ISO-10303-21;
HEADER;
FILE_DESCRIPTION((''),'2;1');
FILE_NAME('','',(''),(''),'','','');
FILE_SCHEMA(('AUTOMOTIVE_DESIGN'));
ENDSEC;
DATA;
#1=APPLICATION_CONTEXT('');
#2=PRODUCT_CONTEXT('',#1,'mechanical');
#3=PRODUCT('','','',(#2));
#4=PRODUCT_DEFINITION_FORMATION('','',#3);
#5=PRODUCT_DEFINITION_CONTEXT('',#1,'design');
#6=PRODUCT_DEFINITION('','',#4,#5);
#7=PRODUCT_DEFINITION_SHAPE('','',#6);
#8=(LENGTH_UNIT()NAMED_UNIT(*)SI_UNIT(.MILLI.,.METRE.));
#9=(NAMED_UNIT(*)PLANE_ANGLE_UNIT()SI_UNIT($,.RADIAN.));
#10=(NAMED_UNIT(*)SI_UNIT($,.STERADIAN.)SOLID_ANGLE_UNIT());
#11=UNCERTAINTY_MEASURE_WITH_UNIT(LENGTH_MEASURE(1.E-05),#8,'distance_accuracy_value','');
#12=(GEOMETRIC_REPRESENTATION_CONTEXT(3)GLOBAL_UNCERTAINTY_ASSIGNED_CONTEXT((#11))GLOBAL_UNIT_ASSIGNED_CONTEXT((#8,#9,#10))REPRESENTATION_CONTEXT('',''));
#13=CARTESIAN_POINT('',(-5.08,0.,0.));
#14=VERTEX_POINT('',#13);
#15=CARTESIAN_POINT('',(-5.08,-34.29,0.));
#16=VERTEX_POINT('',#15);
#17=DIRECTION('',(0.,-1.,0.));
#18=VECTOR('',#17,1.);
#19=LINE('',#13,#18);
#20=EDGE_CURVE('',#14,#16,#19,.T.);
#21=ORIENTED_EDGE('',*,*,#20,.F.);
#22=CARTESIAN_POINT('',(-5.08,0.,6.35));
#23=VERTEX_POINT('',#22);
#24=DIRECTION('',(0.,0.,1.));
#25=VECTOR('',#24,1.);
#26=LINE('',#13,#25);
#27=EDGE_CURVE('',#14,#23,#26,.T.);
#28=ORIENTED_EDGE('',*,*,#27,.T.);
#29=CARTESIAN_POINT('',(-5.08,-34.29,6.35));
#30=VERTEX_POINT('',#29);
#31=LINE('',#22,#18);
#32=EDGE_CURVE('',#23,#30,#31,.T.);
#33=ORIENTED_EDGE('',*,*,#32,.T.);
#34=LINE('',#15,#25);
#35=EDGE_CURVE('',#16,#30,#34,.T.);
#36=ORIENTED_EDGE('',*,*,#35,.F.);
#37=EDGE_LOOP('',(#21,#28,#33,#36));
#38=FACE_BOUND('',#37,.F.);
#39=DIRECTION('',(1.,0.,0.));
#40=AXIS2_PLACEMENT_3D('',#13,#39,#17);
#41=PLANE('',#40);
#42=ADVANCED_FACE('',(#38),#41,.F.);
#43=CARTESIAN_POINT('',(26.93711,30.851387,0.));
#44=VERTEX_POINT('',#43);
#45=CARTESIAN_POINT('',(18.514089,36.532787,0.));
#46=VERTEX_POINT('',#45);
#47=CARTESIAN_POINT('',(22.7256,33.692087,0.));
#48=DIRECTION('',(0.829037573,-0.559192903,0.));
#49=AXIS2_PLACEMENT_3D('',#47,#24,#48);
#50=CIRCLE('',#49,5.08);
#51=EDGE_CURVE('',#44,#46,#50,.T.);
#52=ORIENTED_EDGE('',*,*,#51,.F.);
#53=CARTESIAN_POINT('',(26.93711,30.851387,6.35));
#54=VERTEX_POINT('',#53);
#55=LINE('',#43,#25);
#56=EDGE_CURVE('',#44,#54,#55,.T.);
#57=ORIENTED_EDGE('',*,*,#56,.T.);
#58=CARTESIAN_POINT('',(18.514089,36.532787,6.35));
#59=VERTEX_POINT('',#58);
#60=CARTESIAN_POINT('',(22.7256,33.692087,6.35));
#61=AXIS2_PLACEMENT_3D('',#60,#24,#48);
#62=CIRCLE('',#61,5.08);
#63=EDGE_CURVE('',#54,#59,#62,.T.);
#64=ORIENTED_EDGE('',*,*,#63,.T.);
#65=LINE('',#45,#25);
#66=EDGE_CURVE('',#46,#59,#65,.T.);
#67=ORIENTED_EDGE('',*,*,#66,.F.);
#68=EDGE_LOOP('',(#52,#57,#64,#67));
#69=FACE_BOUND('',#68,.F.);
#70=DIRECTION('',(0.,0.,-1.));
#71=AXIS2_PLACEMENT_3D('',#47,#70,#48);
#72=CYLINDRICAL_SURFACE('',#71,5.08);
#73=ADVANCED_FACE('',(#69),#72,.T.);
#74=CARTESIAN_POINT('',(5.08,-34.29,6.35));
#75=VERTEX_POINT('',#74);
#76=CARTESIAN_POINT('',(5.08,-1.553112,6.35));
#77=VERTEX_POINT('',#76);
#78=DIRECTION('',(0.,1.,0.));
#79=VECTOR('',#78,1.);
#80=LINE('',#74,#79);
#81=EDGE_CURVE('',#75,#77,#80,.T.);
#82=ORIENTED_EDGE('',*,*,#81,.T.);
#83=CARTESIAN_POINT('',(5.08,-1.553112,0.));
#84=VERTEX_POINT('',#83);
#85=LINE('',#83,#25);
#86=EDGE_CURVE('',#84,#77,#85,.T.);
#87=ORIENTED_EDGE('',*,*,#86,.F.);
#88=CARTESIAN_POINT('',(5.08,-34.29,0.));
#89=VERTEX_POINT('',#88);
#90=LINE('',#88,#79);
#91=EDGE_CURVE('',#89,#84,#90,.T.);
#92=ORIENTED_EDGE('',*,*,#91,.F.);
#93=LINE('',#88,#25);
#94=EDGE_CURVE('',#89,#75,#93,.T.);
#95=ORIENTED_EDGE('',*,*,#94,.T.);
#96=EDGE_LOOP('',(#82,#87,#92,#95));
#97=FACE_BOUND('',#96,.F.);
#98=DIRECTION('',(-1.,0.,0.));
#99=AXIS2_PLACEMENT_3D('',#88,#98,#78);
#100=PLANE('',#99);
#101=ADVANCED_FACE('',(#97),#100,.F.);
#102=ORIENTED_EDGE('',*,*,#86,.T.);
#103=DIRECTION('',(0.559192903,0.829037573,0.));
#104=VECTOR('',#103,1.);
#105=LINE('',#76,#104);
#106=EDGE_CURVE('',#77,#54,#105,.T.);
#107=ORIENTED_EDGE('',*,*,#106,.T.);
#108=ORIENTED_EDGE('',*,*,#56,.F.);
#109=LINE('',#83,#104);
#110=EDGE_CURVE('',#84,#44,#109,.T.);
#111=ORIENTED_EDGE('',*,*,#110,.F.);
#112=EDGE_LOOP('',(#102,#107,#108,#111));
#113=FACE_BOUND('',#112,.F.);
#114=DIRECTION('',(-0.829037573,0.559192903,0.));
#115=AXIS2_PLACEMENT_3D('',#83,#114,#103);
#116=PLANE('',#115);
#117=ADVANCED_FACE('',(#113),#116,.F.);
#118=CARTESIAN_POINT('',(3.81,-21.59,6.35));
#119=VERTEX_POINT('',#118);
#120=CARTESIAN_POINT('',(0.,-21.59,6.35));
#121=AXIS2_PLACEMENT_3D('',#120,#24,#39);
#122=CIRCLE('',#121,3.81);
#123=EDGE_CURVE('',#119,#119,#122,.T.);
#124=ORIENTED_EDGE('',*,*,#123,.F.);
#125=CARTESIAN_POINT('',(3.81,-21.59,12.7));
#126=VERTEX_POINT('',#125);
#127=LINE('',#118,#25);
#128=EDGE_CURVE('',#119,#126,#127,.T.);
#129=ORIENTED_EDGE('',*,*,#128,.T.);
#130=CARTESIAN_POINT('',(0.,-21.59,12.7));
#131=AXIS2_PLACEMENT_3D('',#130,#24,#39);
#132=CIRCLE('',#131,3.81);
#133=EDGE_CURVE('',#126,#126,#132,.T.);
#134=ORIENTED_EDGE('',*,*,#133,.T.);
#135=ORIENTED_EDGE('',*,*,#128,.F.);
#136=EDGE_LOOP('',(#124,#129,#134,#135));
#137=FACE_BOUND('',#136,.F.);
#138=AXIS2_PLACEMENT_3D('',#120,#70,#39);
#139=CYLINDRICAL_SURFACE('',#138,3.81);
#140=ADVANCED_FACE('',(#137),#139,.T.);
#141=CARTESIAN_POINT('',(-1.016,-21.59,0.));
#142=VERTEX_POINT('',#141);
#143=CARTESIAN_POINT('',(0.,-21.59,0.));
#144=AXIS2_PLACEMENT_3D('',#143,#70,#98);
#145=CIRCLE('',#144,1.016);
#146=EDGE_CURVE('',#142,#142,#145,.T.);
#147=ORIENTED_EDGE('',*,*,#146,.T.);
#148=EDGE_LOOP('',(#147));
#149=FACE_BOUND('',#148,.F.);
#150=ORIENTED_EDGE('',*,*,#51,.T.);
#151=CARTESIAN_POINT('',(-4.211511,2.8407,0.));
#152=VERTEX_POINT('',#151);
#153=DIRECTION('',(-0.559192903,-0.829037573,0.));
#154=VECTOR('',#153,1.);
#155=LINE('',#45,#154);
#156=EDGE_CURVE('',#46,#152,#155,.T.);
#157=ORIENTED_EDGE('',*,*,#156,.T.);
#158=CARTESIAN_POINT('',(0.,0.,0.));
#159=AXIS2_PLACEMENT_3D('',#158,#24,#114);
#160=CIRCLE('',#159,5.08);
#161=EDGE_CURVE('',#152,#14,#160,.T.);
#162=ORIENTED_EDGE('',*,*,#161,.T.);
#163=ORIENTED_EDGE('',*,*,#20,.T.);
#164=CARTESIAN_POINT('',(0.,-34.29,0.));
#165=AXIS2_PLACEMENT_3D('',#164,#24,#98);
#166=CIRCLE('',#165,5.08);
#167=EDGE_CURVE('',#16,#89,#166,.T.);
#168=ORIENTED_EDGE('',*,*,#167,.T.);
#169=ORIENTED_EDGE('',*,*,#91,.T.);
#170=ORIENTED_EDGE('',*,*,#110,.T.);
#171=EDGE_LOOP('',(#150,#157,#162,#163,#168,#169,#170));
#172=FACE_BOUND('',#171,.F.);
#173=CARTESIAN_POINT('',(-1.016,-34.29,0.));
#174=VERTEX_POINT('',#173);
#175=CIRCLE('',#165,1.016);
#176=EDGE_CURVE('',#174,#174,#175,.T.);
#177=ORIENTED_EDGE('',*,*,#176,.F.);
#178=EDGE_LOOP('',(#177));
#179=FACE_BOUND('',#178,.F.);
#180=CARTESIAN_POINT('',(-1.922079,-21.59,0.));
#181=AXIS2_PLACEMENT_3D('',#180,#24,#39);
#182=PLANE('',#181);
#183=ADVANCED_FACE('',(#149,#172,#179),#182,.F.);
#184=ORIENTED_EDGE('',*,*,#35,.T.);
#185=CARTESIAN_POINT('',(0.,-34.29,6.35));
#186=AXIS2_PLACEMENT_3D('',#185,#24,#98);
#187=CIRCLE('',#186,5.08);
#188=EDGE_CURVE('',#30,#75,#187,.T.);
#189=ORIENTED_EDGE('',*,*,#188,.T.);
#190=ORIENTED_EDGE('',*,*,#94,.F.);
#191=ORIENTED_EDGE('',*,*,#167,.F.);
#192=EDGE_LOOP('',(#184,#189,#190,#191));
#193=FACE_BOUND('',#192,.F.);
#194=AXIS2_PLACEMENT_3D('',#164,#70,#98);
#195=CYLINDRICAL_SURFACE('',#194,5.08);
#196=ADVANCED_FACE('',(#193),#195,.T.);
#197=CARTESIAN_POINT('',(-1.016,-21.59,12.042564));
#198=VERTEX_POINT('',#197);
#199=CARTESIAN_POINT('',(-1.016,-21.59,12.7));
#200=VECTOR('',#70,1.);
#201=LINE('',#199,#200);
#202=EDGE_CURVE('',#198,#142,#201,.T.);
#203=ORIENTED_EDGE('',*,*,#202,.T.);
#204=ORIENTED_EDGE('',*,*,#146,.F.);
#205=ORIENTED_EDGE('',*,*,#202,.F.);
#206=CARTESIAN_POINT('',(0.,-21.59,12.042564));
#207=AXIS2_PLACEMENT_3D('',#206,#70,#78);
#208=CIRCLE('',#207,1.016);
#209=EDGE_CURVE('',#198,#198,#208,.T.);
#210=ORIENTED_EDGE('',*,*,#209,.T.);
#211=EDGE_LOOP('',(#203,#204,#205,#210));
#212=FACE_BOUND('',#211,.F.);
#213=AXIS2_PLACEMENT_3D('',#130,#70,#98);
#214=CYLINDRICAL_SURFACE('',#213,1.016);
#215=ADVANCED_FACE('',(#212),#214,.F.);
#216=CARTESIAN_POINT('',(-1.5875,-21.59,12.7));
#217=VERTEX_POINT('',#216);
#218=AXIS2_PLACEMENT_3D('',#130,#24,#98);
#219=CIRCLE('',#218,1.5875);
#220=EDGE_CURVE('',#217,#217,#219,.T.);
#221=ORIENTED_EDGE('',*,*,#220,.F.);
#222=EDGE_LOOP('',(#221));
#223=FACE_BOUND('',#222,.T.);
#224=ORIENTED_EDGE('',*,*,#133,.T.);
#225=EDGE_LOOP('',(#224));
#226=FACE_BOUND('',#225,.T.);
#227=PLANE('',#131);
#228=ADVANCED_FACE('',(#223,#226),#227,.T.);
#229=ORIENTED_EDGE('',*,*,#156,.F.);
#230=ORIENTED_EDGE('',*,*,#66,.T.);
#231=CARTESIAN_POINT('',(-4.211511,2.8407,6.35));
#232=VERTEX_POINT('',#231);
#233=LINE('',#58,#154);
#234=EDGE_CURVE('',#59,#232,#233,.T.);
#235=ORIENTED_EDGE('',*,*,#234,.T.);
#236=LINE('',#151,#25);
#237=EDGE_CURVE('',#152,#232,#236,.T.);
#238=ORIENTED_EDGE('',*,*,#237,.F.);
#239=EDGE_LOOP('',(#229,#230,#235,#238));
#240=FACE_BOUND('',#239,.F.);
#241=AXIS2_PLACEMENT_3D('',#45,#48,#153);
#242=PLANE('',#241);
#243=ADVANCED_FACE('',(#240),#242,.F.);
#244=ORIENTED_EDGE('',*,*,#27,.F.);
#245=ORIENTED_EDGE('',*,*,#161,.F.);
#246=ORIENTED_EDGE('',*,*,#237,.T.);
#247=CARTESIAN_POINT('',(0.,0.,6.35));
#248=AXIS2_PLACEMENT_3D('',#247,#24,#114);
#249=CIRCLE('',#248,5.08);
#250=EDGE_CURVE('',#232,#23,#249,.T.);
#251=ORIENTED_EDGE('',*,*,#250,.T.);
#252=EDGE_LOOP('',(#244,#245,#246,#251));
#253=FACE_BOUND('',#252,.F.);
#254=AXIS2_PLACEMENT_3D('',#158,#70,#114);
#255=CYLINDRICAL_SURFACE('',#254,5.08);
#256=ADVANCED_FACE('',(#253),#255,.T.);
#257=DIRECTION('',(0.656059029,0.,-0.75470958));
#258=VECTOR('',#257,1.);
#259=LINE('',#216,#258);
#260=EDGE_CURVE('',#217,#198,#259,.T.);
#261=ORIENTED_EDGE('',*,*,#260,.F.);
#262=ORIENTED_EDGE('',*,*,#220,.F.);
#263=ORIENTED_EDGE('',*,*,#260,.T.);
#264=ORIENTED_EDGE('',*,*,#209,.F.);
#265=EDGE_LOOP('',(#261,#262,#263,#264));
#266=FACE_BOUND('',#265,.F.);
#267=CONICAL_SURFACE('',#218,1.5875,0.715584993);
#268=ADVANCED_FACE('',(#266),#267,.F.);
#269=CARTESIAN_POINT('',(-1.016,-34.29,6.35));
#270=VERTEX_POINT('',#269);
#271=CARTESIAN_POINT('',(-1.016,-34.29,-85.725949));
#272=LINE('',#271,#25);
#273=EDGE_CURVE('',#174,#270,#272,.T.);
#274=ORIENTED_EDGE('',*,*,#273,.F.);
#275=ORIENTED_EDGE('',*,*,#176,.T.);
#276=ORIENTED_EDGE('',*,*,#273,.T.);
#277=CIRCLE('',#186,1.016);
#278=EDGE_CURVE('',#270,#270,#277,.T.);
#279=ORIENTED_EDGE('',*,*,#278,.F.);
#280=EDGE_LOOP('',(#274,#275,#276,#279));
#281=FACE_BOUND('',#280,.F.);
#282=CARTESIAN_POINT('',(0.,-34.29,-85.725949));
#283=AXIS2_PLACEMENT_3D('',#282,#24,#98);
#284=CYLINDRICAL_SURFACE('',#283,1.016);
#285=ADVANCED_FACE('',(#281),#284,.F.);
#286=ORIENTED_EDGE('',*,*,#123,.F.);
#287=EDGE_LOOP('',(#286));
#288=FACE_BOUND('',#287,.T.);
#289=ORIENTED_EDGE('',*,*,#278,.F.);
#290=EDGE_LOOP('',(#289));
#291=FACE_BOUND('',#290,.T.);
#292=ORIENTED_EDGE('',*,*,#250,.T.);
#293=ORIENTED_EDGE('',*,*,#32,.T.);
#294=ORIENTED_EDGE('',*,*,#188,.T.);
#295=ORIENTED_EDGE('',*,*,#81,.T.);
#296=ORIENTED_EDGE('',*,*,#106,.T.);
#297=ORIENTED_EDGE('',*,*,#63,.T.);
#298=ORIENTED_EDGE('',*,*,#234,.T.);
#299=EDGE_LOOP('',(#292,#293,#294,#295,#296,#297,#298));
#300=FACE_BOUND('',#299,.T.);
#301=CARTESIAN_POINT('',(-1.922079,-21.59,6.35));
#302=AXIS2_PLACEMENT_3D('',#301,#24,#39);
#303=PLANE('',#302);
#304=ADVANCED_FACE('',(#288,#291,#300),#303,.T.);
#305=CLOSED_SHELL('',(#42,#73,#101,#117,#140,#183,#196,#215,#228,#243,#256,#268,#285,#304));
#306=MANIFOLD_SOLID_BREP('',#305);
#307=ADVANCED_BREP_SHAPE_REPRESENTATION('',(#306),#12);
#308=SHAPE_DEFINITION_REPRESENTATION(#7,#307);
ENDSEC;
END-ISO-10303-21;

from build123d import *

# Parameters (mm, degrees)
F1_DEPTH       = 6.35
F2_R           = 3.81
F3_DEPTH       = 6.35
F5_D           = 2.032
F5_CSINK_D     = 3.175
F5_CSINK_ANGLE = 82
F6_D           = 2.032


with BuildPart() as f1:
    # F0 (on Top) → F1 (new body)
    with BuildSketch(Plane.XY):
        with BuildLine():
            Line((0, -26.67), (0, -21.59))
            Line((0, -21.59), (0, -16.51))
            ThreePointArc((0, -16.51), (-3.5921024484, -17.9978975516), (-5.08, -21.59))
            ThreePointArc((-5.08, -21.59), (-3.5921024484, -25.1821024484), (0, -26.67))
        make_face()
        with BuildLine():
            Line((0, -16.51), (0, -21.59))
            Line((0, -21.59), (0, -26.67))
            ThreePointArc((0, -26.67), (3.5921024484, -25.1821024484), (5.08, -21.59))
            ThreePointArc((5.08, -21.59), (3.5921024484, -17.9978975516), (0, -16.51))
        make_face()
        with BuildLine():
            ThreePointArc((-5.08, -21.59), (-3.5921024484, -17.9978975516), (0, -16.51))
            Line((0, -16.51), (0, -5.08))
            ThreePointArc((0, -5.08), (-3.5921024484, -3.5921024484), (-5.08, 0))
            Line((-5.08, 0), (-5.08, -21.59))
        make_face()
        with BuildLine():
            Line((0, -5.08), (0, -16.51))
            ThreePointArc((0, -16.51), (3.5921024484, -17.9978975516), (5.08, -21.59))
            Line((5.08, -21.59), (5.08, -1.5531118618))
            Line((5.08, -1.5531118618), (4.2115108686, -2.8406999496))
            ThreePointArc((4.2115108686, -2.8406999496), (2.384915539, -4.4853737717), (0, -5.08))
        make_face()
        with BuildLine():
            ThreePointArc((5.08, -21.59), (3.5921024484, -25.1821024484), (0, -26.67))
            ThreePointArc((0, -26.67), (-3.5921024484, -25.1821024484), (-5.08, -21.59))
            Line((-5.08, -21.59), (-5.08, -34.29))
            ThreePointArc((-5.08, -34.29), (0, -39.37), (5.08, -34.29))
            Line((5.08, -34.29), (5.08, -21.59))
        make_face()
        with BuildLine():
            ThreePointArc((-5.08, 0), (-3.5921024484, -3.5921024484), (0, -5.08))
            Line((0, -5.08), (0, 0))
            Line((0, 0), (2.8406999496, 4.2115108686))
            ThreePointArc((2.8406999496, 4.2115108686), (-0.9693096965, 4.9866660919), (-4.2115108686, 2.8406999496))
            ThreePointArc((-4.2115108686, 2.8406999496), (-4.8580281603, 1.48524826), (-5.08, 0))
        make_face()
        with BuildLine():
            Line((0, 0), (0, -5.08))
            ThreePointArc((0, -5.08), (2.384915539, -4.4853737717), (4.2115108686, -2.8406999496))
            Line((4.2115108686, -2.8406999496), (5.08, -1.5531118618))
            Line((5.08, -1.5531118618), (5.08, 0))
            ThreePointArc((5.08, 0), (4.4853737717, 2.384915539), (2.8406999496, 4.2115108686))
            Line((2.8406999496, 4.2115108686), (0, 0))
        make_face()
        with BuildLine():
            Line((5.08, 0), (5.08, -1.5531118618))
            Line((5.08, -1.5531118618), (26.9371104656, 30.851386999))
            ThreePointArc((26.9371104656, 30.851386999), (25.5662995467, 37.9035978172), (18.5140887285, 36.5327868983))
            Line((18.5140887285, 36.5327868983), (-4.2115108686, 2.8406999496))
            ThreePointArc((-4.2115108686, 2.8406999496), (-0.9693096965, 4.9866660919), (2.8406999496, 4.2115108686))
            ThreePointArc((2.8406999496, 4.2115108686), (4.4853737717, 2.384915539), (5.08, 0))
        make_face()
    extrude(amount=F1_DEPTH)

    # F2 (on face) → F3 (join)
    with BuildSketch(Plane.XY.offset(6.35)):
        with Locations((0, -21.59)):
            Circle(F2_R)
    extrude(amount=F3_DEPTH)

    # F5 (through all)
    with Locations(Plane.XY.offset(12.7)):
        with Locations((0, -21.59)):
            CounterSinkHole(F5_D / 2, F5_CSINK_D / 2, counter_sink_angle=F5_CSINK_ANGLE)

    # F6 (through all)
    with Locations(Plane(origin=(0, 0, 0), x_dir=(1, 0, 0), z_dir=(0, 0, -1))):
        with Locations((0, 34.29)):
            Hole(F6_D / 2)


solid = f1.part
